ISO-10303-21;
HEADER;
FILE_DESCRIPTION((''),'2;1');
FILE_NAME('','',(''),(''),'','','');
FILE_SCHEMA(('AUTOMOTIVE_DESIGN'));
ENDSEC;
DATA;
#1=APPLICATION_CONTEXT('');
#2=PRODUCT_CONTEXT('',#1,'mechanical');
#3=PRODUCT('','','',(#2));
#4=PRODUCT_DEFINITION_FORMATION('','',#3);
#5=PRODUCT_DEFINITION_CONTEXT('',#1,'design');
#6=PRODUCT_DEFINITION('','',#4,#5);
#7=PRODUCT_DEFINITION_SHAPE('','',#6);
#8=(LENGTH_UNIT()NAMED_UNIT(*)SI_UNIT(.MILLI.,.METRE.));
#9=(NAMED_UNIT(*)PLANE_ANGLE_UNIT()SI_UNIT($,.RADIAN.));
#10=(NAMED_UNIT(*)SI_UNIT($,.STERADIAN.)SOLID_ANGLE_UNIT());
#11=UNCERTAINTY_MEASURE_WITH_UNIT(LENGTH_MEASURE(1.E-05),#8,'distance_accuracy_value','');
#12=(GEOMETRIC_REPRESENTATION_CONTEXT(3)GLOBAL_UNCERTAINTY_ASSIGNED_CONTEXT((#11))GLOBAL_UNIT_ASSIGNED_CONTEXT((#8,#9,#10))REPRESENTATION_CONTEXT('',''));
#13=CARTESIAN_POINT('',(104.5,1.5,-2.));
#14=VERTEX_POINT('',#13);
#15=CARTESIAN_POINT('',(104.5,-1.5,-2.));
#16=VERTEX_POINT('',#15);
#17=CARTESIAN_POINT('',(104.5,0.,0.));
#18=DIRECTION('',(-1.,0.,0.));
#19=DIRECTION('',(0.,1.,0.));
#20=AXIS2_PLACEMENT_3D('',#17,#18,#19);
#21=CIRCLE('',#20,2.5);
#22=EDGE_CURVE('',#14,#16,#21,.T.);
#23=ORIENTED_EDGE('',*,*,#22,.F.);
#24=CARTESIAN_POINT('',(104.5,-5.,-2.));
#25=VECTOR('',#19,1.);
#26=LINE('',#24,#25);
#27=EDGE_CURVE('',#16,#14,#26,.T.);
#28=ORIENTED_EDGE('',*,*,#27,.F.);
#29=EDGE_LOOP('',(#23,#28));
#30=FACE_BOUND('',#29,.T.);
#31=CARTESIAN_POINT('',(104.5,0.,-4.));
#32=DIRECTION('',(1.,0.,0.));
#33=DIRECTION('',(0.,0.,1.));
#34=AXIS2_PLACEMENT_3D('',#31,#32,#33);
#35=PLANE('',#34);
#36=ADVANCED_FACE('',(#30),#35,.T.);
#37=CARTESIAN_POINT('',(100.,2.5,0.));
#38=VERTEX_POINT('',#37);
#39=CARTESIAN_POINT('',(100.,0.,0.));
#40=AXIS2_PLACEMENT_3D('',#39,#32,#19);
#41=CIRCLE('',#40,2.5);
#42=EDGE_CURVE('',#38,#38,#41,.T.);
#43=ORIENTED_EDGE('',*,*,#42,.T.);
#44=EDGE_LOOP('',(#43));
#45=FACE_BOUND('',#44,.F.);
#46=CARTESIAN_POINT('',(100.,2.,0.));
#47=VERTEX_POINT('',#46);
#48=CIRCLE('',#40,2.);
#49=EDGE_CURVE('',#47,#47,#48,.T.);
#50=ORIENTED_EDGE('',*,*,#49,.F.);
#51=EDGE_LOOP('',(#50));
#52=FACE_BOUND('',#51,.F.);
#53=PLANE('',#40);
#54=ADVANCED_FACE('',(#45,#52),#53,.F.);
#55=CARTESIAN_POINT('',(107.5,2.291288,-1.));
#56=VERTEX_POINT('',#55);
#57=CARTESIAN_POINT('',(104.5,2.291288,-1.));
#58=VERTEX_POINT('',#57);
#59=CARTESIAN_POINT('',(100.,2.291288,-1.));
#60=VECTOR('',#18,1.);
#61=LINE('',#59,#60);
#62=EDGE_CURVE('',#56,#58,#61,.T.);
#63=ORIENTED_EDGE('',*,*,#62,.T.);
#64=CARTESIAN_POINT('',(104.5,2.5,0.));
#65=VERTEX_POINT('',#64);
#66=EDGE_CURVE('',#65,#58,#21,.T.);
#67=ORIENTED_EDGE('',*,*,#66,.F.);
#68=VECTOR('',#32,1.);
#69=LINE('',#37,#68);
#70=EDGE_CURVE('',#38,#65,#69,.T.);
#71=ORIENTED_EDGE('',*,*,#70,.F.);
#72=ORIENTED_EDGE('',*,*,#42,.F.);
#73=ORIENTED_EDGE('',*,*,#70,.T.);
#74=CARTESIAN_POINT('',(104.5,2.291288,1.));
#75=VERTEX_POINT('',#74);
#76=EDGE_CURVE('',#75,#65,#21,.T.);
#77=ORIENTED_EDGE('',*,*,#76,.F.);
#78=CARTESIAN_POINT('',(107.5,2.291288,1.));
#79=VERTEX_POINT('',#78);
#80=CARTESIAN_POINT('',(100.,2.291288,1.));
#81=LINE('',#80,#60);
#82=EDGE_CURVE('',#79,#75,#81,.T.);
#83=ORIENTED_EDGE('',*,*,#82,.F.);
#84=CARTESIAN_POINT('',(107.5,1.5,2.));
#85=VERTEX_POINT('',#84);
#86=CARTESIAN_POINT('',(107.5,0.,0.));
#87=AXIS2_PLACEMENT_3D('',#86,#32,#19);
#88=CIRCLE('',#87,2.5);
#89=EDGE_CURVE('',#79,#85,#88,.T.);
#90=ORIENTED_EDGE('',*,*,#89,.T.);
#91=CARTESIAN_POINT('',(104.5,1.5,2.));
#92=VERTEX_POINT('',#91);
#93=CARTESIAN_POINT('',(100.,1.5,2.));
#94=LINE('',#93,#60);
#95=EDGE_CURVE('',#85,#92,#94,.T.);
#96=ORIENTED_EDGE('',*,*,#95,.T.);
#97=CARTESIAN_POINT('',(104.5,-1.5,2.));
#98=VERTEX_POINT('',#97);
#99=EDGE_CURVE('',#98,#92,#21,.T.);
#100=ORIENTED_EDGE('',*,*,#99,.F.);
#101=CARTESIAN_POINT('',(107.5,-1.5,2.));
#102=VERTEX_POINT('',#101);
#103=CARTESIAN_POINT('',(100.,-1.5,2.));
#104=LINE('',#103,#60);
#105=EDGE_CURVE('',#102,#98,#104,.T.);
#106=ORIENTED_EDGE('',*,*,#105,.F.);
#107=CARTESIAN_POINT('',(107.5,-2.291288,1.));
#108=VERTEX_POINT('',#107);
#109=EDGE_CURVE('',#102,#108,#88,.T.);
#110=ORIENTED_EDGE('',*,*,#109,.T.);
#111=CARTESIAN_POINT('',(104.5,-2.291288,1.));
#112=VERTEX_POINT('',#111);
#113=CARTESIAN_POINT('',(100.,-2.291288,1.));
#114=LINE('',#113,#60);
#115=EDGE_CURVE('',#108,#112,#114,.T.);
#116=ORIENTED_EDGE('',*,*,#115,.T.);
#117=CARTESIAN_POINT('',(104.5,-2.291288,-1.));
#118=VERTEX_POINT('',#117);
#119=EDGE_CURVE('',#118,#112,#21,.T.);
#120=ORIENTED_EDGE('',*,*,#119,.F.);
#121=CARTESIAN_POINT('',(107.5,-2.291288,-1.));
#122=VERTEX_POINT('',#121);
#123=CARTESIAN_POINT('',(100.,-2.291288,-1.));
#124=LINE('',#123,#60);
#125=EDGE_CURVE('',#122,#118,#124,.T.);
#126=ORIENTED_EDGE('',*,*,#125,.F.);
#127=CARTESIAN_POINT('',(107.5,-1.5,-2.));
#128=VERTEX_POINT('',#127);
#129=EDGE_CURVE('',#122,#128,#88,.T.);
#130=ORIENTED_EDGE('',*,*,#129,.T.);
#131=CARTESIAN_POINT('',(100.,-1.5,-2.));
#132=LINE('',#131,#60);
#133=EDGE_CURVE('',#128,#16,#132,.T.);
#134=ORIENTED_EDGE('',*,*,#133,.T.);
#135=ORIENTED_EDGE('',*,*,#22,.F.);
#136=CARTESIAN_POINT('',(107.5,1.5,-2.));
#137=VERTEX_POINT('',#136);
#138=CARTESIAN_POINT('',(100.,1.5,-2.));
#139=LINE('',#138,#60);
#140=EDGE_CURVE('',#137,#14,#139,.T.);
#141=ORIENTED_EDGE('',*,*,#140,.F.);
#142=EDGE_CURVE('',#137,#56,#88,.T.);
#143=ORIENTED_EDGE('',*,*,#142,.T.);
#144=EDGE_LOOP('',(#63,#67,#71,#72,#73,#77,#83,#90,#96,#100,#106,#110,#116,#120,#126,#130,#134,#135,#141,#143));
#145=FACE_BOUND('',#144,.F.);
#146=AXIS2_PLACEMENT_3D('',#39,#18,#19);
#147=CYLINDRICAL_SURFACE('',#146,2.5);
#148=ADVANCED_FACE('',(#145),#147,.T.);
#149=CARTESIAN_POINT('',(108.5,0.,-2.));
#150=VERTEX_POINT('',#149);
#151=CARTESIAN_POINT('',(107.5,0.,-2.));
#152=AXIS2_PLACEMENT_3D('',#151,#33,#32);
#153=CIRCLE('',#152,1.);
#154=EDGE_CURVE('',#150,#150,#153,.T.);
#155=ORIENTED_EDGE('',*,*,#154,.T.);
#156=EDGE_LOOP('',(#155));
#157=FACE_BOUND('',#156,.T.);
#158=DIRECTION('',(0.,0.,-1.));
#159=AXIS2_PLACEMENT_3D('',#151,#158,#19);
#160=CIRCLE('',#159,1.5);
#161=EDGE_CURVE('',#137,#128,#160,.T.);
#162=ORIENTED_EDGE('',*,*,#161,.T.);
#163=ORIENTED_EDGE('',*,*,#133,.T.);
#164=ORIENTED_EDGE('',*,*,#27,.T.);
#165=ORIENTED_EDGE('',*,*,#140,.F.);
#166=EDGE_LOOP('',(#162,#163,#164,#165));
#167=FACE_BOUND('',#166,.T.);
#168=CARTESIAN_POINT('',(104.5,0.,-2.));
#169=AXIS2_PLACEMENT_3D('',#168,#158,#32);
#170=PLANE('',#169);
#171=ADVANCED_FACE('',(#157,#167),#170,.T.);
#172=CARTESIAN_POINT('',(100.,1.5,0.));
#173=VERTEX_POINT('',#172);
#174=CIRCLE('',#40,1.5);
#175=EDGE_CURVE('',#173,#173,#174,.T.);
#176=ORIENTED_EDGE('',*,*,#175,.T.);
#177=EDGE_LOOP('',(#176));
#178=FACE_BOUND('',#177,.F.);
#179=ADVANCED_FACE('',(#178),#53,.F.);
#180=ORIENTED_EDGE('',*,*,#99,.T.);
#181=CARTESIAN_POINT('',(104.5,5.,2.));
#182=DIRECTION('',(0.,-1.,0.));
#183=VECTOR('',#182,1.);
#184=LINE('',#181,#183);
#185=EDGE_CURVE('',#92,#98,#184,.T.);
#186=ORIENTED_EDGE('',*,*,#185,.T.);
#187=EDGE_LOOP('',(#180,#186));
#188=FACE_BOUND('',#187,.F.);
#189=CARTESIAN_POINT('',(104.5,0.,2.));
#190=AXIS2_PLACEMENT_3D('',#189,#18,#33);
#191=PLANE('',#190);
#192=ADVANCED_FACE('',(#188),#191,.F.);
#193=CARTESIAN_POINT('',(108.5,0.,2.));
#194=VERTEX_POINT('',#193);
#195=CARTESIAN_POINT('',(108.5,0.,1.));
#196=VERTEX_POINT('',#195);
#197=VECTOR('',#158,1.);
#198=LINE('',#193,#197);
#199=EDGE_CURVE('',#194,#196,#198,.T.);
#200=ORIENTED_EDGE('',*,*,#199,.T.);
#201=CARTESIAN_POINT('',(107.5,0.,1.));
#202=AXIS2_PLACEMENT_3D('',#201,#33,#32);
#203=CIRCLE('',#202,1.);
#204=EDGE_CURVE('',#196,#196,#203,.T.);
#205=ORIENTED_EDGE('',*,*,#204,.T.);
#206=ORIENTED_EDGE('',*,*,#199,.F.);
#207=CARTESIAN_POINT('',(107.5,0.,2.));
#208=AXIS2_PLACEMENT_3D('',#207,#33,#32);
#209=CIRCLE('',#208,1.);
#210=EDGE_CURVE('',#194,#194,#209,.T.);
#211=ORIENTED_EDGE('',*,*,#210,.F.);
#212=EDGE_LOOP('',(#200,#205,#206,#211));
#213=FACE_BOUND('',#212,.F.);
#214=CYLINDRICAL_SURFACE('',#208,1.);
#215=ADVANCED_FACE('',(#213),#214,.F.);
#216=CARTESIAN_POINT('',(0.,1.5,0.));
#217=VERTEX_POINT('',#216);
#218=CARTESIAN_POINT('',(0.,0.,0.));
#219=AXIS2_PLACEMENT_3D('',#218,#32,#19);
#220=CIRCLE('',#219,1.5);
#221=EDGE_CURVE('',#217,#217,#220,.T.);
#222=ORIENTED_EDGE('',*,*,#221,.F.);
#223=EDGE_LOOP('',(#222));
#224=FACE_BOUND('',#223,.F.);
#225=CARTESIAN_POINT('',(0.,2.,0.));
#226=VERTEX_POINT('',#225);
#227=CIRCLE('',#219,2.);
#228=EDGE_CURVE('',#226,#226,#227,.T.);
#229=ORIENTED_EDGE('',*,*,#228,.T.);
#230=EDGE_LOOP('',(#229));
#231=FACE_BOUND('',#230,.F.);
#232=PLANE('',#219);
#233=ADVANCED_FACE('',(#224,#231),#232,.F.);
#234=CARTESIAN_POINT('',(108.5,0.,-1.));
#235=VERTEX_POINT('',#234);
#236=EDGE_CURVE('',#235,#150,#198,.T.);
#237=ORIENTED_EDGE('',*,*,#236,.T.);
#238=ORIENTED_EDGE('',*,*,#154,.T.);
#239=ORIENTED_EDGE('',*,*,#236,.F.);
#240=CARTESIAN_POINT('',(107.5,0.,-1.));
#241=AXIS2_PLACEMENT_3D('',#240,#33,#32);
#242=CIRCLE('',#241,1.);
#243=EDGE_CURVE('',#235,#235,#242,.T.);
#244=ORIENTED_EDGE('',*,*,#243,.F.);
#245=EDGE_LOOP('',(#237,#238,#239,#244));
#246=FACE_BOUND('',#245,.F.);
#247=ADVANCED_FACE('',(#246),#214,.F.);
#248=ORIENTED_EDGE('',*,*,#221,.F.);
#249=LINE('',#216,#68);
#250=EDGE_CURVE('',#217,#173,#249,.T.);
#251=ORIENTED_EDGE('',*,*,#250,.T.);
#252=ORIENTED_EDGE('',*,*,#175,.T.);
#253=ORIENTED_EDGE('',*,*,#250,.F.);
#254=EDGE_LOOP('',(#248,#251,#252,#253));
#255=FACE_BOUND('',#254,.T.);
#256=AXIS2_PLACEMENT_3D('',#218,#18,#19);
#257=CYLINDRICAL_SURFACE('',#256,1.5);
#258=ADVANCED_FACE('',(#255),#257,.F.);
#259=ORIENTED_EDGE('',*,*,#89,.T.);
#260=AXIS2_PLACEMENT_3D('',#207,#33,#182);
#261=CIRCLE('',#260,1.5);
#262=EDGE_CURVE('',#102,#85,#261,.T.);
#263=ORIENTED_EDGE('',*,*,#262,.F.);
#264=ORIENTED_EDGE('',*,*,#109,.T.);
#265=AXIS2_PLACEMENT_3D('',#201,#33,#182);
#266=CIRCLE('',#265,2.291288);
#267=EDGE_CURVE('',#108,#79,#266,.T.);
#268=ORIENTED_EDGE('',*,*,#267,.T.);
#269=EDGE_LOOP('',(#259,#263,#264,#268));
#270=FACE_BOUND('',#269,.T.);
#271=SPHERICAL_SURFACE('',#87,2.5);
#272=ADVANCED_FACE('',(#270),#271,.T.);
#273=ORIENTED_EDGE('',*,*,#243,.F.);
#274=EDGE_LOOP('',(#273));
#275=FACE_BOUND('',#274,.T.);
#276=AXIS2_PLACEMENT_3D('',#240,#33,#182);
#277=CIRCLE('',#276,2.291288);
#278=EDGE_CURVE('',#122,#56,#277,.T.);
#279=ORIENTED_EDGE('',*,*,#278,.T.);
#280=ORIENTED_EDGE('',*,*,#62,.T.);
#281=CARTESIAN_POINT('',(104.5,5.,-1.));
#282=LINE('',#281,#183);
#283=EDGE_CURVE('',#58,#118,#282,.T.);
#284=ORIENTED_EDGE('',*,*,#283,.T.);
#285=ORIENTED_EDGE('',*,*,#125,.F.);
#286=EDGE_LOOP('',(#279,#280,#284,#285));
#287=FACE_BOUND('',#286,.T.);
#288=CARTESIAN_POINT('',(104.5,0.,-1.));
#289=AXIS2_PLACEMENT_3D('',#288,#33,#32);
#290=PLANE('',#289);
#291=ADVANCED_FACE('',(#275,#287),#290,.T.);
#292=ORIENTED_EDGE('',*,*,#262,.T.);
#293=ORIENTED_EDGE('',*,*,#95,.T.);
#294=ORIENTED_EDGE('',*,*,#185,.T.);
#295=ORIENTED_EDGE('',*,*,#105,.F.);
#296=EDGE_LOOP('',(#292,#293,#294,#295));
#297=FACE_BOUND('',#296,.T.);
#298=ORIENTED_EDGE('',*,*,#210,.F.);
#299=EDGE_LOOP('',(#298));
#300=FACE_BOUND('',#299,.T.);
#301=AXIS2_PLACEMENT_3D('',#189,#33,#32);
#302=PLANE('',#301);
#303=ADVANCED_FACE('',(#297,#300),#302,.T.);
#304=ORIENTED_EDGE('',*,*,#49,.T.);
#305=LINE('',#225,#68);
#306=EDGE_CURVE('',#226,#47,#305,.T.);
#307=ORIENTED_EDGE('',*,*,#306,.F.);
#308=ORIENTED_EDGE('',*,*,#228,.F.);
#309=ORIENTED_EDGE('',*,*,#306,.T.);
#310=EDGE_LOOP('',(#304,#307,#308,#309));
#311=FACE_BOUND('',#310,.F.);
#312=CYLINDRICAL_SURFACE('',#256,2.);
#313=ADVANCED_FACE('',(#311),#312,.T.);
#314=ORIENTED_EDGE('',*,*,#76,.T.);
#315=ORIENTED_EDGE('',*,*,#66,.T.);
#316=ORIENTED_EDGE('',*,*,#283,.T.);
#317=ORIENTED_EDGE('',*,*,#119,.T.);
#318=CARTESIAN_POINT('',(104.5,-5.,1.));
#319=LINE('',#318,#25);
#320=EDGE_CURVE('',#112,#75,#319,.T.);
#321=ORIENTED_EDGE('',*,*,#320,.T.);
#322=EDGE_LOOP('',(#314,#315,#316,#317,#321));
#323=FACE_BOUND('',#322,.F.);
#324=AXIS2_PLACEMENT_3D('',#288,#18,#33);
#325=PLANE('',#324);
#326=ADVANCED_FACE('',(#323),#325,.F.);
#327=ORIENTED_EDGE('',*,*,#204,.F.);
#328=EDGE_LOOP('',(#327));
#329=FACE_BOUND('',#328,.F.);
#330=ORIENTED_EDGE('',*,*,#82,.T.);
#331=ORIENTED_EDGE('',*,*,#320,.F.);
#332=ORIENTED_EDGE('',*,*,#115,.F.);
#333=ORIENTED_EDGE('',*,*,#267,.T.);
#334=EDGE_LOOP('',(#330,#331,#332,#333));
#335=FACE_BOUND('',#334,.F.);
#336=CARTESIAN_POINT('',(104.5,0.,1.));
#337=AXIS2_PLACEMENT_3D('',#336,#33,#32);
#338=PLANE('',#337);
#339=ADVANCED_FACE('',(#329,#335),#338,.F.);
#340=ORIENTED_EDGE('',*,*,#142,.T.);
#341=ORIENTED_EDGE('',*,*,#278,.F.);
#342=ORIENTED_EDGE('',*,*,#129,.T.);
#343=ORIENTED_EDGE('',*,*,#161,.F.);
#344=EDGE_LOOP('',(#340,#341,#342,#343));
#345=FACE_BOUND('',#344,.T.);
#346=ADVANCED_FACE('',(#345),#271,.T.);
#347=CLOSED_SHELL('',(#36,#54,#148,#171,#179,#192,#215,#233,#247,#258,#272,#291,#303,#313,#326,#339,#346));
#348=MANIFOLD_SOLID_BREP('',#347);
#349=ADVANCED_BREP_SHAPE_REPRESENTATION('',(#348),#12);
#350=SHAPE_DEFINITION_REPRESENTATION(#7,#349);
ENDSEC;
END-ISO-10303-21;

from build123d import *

# Parameters (mm, degrees)
F0_R     = 2
F0_R_2   = 1.5
F1_DEPTH = 100
F2_R     = 2.5
F2_R_2   = 2
F2_R_3   = 1.5
F3_DEPTH = 10
F4_R     = 2.5
F5_W     = 10
F5_H     = 2
F6_DEPTH = 5
F7_R     = 1
F8_DEPTH = 4.501


with BuildPart() as f1:
    # F0 (on Right) → F1 (new body)
    with BuildSketch(Plane.YZ):
        Circle(F0_R)
        Circle(F0_R_2, mode=Mode.SUBTRACT)
    extrude(amount=F1_DEPTH)

    # F2 (on face) → F3 (join)
    with BuildSketch(Plane.YZ.offset(100)):
        Circle(F2_R)
        Circle(F2_R_2, mode=Mode.SUBTRACT)
        Circle(F2_R_2)
        Circle(F2_R_3, mode=Mode.SUBTRACT)
        Circle(F2_R_3)
    extrude(amount=F3_DEPTH)

    # F4
    f4_edges = [f1.edges().sort_by_distance(p)[0] for p in [
        (110, -2.5, 0),
    ]]
    fillet(f4_edges, radius=F4_R)

    # F5 (on Front) → F6 (cut, symmetric)
    with BuildSketch(Plane.XZ):
        with Locations((109.5, 3)):
            Rectangle(F5_W, F5_H)
        with Locations((109.5, 0)):
            Rectangle(F5_W, F5_H)
        with Locations((109.5, -3)):
            Rectangle(F5_W, F5_H)
    extrude(amount=F6_DEPTH, both=True, mode=Mode.SUBTRACT)

    # F7 (on face) → F8 (cut, through all)
    with BuildSketch(Plane.XY.offset(2)):
        with Locations((107.5, 0)):
            Circle(F7_R)
    extrude(amount=-F8_DEPTH, mode=Mode.SUBTRACT)


solid = f1.part
